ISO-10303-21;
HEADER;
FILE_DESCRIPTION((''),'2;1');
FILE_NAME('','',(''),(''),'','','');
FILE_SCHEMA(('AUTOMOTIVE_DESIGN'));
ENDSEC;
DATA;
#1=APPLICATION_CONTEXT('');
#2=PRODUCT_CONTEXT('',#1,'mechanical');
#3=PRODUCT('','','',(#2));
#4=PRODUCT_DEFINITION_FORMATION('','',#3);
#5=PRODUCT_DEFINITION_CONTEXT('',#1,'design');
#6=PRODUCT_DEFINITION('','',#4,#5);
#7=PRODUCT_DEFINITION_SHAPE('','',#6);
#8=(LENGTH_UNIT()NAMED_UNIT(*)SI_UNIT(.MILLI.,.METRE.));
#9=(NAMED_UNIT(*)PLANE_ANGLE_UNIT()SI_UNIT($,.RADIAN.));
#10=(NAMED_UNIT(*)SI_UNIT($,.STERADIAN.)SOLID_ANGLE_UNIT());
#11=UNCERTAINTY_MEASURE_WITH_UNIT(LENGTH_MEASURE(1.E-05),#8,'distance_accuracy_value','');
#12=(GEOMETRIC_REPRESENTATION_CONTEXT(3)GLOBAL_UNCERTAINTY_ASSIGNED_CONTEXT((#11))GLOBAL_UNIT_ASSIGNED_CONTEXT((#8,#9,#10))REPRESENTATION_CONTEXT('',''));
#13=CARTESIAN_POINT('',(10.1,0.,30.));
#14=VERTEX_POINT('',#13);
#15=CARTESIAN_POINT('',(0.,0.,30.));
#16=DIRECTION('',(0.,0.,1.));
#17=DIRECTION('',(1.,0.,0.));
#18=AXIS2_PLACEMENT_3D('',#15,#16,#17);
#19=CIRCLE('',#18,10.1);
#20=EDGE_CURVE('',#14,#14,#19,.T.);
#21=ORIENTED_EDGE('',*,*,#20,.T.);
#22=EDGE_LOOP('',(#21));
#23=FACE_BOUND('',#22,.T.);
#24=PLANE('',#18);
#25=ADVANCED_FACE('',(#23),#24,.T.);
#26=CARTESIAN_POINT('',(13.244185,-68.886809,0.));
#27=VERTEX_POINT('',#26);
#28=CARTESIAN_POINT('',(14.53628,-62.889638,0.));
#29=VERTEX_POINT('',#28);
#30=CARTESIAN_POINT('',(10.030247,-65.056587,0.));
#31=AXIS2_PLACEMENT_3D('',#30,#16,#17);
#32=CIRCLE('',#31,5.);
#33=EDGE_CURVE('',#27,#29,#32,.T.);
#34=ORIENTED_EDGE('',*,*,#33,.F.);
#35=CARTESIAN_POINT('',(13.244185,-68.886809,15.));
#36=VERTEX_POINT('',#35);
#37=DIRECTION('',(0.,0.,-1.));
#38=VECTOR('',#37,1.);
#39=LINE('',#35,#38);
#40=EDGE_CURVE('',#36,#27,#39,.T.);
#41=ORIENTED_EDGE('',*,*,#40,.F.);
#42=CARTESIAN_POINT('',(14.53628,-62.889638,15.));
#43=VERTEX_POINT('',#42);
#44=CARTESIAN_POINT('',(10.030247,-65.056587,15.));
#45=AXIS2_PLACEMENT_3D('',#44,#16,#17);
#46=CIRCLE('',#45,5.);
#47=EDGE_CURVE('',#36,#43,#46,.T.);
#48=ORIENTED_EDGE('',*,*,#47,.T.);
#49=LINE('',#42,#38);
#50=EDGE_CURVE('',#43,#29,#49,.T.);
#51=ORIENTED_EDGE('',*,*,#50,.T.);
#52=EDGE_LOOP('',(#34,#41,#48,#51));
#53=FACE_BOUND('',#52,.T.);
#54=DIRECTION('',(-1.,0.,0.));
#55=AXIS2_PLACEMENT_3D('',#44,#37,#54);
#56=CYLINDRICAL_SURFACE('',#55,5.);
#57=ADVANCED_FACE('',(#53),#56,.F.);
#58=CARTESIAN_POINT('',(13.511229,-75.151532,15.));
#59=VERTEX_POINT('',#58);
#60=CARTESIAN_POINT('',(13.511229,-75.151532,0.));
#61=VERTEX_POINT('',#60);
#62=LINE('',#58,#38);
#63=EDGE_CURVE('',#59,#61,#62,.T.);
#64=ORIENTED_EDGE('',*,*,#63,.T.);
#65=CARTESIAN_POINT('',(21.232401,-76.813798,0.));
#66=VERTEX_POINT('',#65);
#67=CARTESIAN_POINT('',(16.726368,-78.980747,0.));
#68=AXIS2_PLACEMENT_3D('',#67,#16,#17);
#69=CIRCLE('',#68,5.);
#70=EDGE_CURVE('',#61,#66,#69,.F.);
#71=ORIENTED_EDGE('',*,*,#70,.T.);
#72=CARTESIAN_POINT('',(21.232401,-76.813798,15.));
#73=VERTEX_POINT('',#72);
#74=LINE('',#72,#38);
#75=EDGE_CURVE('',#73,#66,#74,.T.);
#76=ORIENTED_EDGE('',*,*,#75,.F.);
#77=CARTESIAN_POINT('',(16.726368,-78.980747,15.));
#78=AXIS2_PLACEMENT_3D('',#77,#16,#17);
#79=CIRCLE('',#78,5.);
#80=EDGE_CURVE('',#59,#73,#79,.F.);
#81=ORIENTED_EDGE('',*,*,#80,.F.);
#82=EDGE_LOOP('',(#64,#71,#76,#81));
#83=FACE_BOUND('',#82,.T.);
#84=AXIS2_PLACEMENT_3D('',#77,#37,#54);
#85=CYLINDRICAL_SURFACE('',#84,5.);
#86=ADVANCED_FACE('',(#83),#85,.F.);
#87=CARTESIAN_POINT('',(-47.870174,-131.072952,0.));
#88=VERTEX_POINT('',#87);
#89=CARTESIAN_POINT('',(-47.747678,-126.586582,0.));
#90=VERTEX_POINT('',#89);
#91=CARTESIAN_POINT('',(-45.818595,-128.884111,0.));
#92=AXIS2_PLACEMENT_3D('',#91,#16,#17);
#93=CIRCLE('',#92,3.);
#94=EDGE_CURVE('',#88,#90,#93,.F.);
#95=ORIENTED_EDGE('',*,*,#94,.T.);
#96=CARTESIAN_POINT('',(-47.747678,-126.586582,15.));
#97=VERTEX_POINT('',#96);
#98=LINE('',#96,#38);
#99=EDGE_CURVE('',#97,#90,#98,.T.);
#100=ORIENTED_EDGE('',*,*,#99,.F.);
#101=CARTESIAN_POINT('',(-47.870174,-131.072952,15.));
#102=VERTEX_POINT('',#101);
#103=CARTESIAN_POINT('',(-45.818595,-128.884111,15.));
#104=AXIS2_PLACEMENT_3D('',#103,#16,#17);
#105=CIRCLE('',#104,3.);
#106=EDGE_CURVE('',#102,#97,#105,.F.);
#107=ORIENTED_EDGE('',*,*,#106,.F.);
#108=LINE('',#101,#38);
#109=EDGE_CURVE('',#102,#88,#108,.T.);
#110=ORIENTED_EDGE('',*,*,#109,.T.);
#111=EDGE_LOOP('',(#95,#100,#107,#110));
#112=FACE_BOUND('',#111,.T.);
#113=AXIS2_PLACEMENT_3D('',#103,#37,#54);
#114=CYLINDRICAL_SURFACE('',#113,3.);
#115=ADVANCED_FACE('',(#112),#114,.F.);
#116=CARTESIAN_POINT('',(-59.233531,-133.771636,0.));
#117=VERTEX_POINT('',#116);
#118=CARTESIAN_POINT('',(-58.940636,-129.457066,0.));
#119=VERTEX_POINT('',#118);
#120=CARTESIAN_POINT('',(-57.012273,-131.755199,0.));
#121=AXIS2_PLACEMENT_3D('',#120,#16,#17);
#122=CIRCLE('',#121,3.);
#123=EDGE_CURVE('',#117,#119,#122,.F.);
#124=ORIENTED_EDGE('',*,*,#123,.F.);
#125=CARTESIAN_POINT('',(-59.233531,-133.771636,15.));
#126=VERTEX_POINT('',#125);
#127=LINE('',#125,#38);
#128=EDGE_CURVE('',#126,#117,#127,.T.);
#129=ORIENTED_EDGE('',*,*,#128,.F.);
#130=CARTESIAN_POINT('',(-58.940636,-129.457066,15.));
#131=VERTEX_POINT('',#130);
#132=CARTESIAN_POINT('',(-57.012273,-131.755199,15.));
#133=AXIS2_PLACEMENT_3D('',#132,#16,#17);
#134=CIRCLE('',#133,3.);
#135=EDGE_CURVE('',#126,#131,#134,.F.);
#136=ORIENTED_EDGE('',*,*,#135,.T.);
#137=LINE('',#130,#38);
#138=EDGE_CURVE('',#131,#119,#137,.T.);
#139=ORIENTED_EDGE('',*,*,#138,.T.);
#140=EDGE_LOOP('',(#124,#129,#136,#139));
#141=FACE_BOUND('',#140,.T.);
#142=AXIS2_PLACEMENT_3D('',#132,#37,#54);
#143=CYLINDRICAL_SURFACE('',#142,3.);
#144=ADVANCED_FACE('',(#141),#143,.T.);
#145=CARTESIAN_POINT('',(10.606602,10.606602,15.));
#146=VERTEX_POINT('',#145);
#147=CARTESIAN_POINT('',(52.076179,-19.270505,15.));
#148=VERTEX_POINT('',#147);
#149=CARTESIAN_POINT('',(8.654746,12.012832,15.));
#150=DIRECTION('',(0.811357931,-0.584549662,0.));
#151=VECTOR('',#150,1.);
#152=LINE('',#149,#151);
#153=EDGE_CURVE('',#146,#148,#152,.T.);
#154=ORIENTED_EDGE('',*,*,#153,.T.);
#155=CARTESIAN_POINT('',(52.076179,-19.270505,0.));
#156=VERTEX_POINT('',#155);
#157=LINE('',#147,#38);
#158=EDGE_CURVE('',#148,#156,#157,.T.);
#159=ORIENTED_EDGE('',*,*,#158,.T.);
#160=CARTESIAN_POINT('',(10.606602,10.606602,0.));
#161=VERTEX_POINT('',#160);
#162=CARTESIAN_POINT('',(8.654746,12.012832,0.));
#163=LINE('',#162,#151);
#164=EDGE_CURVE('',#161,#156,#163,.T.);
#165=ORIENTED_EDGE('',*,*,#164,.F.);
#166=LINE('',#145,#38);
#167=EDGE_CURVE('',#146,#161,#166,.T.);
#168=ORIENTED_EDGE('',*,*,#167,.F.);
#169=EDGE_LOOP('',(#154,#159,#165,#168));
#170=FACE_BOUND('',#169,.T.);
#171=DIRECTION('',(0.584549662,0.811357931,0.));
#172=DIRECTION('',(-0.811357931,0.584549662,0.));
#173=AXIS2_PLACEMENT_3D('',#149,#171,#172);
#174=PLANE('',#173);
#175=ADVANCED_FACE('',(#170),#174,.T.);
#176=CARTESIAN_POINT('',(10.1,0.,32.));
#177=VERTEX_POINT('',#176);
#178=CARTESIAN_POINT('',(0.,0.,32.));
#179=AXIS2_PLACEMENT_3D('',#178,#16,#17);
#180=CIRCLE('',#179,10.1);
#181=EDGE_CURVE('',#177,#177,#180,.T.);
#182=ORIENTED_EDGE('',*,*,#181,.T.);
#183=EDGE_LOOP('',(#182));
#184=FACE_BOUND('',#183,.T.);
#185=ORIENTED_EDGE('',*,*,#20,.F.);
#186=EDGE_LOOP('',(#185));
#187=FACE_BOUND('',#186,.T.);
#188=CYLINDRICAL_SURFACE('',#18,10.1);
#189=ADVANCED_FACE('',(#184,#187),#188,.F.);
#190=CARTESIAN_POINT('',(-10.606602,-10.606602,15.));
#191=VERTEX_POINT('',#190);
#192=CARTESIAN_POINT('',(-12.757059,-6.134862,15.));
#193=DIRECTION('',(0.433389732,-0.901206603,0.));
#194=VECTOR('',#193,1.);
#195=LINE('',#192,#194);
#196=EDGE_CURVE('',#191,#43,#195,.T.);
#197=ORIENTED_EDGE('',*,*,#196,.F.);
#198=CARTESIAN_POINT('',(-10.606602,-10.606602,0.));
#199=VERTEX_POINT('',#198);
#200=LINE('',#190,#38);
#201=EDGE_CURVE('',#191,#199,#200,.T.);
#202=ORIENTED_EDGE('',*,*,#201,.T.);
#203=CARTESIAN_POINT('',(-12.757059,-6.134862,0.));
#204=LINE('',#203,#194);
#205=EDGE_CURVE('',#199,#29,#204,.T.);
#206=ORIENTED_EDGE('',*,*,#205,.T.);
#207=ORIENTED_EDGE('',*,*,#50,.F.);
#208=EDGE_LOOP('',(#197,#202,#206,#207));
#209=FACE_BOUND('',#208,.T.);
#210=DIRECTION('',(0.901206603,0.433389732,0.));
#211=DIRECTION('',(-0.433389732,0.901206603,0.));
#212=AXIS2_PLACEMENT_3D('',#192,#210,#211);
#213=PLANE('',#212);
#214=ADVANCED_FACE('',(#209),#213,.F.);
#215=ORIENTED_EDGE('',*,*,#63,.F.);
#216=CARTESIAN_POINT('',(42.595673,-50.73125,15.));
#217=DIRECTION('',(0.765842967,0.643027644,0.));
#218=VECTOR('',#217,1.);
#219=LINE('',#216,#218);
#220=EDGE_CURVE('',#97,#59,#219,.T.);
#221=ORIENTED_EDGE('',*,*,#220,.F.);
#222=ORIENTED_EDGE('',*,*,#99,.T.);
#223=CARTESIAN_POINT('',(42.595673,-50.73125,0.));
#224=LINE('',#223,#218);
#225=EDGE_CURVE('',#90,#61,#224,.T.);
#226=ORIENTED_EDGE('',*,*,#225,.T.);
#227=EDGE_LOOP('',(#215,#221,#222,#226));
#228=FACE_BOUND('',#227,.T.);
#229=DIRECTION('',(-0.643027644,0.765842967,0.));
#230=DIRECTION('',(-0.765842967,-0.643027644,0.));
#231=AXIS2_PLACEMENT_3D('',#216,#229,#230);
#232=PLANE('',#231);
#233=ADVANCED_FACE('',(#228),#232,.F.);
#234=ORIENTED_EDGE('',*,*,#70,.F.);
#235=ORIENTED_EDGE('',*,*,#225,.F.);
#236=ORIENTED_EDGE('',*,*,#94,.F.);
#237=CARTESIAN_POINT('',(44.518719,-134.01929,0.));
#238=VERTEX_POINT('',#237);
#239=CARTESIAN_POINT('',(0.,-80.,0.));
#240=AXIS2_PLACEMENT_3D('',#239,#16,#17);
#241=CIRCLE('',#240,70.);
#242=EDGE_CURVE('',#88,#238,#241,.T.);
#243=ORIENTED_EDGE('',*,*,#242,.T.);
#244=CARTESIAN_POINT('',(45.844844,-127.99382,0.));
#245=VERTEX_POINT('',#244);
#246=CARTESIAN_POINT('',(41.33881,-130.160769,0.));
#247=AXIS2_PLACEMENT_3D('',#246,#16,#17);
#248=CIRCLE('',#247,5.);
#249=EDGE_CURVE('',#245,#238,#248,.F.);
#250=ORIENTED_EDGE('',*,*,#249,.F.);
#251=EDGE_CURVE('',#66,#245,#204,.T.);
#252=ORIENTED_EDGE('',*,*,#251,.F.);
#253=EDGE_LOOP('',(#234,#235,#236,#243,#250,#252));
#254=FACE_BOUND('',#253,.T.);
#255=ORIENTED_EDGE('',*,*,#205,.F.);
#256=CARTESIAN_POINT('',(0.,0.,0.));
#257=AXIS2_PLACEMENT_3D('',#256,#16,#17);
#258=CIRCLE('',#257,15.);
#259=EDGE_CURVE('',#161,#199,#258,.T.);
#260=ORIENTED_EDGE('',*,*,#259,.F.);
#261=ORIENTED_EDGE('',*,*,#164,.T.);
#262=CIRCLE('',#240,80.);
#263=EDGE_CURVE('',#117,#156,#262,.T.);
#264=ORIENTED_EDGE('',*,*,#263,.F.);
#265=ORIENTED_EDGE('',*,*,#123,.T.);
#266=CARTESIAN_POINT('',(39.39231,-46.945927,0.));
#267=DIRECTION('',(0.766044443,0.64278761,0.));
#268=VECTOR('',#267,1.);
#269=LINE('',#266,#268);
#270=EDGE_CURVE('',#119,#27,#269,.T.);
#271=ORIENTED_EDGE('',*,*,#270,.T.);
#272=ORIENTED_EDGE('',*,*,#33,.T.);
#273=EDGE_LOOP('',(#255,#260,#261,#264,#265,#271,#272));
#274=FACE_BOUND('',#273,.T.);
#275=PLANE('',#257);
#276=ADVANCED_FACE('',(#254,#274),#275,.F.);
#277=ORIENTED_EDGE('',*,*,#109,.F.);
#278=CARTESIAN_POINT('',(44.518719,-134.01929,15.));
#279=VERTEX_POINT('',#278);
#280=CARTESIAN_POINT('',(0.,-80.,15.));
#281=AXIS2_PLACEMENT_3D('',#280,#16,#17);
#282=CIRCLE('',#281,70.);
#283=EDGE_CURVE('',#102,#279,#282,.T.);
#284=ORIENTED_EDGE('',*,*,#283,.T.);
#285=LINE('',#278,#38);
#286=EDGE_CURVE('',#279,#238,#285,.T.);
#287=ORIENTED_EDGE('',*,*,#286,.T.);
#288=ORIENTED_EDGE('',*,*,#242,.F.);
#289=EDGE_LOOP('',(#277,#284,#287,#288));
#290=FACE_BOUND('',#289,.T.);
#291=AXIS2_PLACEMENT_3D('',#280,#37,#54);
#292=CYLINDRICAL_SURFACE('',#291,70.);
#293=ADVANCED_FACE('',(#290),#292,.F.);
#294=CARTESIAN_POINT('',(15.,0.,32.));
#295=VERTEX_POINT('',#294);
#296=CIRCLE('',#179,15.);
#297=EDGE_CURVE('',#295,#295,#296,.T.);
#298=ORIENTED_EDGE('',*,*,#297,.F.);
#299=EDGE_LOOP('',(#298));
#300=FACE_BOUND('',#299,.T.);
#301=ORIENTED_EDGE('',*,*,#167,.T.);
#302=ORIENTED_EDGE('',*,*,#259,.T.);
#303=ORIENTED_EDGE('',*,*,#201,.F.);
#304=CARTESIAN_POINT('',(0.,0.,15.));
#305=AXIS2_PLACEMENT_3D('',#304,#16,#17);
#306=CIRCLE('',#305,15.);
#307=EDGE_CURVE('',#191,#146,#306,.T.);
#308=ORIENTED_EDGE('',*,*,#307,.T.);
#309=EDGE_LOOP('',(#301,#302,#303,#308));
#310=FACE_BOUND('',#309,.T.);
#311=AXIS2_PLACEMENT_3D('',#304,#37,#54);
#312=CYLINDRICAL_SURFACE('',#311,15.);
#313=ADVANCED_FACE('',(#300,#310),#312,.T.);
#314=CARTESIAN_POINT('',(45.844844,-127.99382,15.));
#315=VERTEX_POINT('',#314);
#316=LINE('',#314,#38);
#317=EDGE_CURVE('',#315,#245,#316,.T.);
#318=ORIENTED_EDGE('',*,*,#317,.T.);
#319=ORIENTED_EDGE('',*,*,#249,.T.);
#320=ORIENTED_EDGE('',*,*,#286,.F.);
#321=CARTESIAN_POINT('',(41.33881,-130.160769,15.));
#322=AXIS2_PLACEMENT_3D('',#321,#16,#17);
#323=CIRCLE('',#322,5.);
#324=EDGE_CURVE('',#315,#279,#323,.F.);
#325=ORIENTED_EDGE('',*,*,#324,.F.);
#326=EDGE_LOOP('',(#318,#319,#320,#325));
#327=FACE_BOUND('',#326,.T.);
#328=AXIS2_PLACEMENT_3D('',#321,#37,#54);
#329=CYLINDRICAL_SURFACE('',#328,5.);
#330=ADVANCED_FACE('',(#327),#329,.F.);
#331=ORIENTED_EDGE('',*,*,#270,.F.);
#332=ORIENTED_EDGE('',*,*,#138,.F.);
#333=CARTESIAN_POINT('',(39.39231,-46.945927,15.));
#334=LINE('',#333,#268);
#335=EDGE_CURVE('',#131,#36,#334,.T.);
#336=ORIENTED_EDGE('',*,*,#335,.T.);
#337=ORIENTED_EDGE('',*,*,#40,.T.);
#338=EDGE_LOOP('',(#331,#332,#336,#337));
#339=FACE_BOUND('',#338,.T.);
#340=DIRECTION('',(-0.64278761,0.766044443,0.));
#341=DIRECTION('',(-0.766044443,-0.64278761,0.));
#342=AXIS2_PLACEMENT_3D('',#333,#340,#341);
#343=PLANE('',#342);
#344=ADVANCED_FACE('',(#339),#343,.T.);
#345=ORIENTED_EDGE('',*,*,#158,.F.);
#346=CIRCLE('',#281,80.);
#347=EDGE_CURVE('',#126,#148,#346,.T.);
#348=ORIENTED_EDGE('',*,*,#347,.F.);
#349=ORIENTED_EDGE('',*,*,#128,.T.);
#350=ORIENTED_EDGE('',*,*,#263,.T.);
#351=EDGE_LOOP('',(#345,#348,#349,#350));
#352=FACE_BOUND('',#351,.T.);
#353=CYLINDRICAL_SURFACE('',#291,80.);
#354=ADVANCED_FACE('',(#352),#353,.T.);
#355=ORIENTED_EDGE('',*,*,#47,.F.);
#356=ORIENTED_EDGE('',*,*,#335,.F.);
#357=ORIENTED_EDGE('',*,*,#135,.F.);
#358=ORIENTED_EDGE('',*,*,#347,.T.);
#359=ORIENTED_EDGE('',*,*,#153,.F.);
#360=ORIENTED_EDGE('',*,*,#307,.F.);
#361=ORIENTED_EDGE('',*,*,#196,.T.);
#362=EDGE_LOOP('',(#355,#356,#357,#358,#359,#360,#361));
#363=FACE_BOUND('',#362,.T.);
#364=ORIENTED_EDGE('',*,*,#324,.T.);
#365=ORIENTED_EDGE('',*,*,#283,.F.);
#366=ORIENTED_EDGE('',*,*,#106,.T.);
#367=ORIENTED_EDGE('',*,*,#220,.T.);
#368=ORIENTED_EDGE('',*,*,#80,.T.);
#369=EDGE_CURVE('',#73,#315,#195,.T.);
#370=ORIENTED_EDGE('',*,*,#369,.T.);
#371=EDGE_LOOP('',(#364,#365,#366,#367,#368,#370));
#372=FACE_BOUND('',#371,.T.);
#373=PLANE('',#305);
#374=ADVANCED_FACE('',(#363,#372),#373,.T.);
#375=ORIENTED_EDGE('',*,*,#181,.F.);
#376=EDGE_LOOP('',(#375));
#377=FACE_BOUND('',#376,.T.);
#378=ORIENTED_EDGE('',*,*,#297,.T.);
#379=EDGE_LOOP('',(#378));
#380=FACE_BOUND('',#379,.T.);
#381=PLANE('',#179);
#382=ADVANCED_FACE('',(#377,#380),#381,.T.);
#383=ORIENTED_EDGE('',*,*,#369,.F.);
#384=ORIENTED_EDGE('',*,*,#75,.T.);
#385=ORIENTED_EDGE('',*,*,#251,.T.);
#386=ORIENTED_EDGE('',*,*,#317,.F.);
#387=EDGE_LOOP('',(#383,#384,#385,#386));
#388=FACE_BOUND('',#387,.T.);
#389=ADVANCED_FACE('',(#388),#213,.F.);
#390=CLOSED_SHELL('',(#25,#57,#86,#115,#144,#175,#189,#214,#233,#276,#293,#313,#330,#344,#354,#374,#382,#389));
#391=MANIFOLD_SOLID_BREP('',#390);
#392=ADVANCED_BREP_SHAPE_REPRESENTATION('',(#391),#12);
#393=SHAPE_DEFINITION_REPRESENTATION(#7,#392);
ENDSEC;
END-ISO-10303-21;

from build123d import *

# Parameters (mm, degrees)
EXTRUDE_1_DEPTH     = 15
SKETCH_5_R          = 15
EXTRUDE_2_DEPTH     = 17
SKETCH_7_R          = 10.1
CUT_EXTRUDE_1_DEPTH = 2


with BuildPart() as part:
    # ｽｹｯﾁ4 → ﾎﾞｽ - 押し出し1 (new body)
    with BuildSketch(Plane.XY):
        with BuildLine():
            Line((-53.623111018, -124.995132678), (-58.940636287, -129.45706617))
            ThreePointArc((-58.940636287, -129.45706617), (-60.005384698, -131.552012131), (-59.233530865, -133.771635843))
            ThreePointArc((-59.233530865, -133.771635843), (57.362306223, -135.763481103), (52.076178918, -19.270504783))
            Line((52.076178918, -19.270504783), (10.606601718, 10.606601718))
            ThreePointArc((10.606601718, 10.606601718), (-10.606601718, 10.606601718), (-10.606601718, -10.606601718))
            Line((-10.606601718, -10.606601718), (14.536280154, -62.889638219))
            ThreePointArc((14.536280154, -62.889638219), (14.918089499, -66.109676181), (13.244185189, -68.886809092))
            Line((13.244185189, -68.886809092), (-53.623111018, -124.995132678))
        make_face()
        with BuildLine():
            Line((21.232400696, -76.813798404), (45.844843506, -127.993820346))
            ThreePointArc((45.844843506, -127.993820346), (46.221944165, -131.235480845), (44.518718993, -134.019289696))
            ThreePointArc((44.518718993, -134.019289696), (-2.231208213, -149.964431749), (-47.870174388, -131.072951785))
            ThreePointArc((-47.870174388, -131.072951785), (-48.817477846, -128.802229421), (-47.747678417, -126.586582094))
            Line((-47.747678417, -126.586582094), (13.511229465, -75.151532228))
            ThreePointArc((13.511229465, -75.151532228), (17.77869109, -74.092739753), (21.232400696, -76.813798404))
        make_face(mode=Mode.SUBTRACT)
    extrude(amount=EXTRUDE_1_DEPTH)

    # ｽｹｯﾁ5 → ﾎﾞｽ - 押し出し2 (add)
    with BuildSketch(Plane.XY.offset(15)):
        with Locations(Location((0, 0, 0), (0, 0, 225))):
            Circle(SKETCH_5_R)
    extrude(amount=EXTRUDE_2_DEPTH)

    # ｽｹｯﾁ7 → ｶｯﾄ - 押し出し1 (cut)
    with BuildSketch(Plane.XY.offset(32)):
        Circle(SKETCH_7_R)
    extrude(amount=-CUT_EXTRUDE_1_DEPTH, mode=Mode.SUBTRACT)


solid = part.part
